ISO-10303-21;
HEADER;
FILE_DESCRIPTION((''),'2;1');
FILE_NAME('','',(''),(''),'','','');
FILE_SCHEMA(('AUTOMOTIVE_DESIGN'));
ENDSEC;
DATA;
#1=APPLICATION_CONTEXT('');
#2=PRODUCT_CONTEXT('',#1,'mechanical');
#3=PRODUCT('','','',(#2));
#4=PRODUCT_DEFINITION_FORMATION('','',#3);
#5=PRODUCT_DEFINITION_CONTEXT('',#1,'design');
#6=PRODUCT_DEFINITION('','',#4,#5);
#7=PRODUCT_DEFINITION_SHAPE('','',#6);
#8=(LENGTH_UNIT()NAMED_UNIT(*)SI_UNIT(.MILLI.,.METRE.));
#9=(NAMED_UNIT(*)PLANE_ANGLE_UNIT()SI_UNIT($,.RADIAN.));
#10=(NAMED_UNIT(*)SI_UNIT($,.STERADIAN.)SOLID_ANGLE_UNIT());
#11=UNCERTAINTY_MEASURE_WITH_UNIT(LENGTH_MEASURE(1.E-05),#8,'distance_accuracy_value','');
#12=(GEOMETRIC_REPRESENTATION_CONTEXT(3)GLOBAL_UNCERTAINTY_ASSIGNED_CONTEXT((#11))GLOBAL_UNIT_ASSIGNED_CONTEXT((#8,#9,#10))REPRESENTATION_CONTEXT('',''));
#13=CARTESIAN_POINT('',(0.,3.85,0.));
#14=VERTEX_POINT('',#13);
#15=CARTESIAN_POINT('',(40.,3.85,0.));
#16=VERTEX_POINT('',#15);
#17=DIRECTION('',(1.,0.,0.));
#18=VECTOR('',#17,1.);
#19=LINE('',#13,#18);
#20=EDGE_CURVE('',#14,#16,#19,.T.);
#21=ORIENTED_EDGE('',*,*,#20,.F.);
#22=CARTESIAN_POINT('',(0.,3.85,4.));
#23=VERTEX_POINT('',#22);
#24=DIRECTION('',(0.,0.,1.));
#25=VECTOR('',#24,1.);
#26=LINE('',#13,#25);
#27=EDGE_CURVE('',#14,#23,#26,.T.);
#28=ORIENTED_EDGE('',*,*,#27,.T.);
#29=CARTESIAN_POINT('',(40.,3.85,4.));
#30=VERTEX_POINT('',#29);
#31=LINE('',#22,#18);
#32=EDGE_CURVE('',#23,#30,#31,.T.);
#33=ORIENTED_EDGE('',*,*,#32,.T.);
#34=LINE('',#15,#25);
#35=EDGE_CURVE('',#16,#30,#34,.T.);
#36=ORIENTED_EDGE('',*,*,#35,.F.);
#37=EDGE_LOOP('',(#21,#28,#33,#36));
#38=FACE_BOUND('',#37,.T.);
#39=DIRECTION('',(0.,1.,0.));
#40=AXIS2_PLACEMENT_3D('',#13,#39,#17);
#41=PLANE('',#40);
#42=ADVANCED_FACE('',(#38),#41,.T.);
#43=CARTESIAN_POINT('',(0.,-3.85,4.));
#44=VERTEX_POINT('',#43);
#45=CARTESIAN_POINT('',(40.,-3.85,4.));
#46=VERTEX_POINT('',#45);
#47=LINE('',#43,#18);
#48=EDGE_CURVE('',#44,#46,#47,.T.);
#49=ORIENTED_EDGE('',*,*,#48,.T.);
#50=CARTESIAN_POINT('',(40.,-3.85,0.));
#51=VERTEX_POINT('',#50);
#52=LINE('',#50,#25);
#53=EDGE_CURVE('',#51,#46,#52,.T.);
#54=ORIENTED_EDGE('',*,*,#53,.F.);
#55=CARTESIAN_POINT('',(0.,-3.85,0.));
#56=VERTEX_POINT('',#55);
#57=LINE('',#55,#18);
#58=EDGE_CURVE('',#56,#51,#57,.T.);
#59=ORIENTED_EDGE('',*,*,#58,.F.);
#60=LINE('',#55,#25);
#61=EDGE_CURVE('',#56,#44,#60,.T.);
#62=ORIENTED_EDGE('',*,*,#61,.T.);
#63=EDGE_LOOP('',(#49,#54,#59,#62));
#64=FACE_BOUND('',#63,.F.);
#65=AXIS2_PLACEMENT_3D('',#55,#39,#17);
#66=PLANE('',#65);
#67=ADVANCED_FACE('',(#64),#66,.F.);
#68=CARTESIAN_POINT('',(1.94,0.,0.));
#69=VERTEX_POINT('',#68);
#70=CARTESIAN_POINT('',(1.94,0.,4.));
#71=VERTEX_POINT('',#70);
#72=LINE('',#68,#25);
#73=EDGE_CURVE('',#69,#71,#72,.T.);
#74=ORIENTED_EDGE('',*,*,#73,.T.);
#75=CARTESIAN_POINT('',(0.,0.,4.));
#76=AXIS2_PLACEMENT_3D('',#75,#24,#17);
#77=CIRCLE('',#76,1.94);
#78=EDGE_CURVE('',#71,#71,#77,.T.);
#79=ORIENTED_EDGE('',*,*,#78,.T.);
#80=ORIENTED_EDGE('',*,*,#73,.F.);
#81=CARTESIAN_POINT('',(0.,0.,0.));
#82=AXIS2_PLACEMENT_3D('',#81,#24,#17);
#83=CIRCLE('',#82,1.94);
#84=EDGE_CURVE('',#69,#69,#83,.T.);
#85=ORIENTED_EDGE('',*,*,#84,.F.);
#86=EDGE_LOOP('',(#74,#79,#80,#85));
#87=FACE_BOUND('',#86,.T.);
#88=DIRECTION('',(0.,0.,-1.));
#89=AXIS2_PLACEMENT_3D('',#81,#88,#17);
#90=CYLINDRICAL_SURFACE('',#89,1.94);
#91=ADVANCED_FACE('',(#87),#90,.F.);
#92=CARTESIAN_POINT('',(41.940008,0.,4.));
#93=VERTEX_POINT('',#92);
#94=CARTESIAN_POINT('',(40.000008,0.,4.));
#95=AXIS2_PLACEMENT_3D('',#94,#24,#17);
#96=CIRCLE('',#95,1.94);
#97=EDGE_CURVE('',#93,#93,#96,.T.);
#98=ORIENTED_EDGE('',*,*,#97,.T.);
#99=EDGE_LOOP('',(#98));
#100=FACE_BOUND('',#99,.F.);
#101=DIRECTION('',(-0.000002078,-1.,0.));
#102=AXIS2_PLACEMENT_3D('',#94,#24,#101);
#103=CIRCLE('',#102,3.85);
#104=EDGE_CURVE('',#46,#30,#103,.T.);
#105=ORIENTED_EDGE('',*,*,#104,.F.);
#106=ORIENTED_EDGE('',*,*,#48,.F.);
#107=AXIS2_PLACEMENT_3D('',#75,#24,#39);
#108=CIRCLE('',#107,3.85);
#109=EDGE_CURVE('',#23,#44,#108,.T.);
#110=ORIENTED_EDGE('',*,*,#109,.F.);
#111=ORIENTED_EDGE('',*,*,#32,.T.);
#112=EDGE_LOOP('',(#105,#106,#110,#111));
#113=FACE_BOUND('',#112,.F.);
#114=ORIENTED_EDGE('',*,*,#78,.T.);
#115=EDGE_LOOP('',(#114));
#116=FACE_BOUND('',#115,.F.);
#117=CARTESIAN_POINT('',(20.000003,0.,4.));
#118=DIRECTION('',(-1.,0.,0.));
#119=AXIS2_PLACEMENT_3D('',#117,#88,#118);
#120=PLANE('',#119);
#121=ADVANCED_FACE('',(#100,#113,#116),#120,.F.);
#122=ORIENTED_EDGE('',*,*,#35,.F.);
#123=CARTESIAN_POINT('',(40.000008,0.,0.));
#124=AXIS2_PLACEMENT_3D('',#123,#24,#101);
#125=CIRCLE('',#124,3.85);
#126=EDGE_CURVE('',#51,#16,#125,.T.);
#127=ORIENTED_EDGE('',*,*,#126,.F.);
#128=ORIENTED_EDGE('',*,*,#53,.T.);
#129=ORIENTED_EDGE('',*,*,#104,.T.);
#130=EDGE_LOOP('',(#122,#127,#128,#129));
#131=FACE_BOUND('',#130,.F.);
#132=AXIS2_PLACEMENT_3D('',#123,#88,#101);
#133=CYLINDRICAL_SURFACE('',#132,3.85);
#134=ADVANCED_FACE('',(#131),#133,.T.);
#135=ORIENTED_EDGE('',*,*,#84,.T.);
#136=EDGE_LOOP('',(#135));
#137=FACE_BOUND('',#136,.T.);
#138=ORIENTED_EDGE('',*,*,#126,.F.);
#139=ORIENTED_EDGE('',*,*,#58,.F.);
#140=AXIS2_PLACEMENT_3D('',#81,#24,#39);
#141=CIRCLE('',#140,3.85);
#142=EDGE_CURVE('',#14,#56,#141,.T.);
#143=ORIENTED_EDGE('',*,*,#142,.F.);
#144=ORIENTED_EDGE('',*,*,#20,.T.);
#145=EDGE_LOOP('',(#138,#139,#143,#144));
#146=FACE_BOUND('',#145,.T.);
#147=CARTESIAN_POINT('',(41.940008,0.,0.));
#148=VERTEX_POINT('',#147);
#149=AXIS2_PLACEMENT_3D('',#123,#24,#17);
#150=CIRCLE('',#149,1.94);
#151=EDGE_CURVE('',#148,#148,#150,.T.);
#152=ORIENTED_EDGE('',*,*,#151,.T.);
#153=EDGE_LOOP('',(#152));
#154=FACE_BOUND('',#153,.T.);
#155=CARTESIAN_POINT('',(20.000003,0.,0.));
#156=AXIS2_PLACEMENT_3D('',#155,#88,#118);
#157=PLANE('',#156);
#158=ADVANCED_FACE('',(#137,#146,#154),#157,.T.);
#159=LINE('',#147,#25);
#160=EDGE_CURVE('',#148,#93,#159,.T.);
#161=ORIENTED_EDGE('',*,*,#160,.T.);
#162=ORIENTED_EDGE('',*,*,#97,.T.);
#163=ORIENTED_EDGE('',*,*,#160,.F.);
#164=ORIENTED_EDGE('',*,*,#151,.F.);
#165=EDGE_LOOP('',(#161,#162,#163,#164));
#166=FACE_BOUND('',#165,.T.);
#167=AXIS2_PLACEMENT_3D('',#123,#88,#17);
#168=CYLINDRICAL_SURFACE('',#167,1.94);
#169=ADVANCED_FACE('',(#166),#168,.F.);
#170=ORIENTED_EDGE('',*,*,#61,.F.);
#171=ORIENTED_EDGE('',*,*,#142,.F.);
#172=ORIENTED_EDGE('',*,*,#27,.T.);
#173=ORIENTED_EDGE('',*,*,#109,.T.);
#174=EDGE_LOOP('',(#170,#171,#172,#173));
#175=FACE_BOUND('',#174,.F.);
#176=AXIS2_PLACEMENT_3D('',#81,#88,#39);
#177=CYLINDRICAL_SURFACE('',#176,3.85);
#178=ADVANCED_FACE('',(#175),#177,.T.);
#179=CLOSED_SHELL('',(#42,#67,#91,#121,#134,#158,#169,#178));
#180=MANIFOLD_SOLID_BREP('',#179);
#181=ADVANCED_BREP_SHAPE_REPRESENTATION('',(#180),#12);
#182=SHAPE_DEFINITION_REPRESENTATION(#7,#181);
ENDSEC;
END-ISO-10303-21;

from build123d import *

# Parameters (mm, degrees)
SKETCH_R      = 1.94
EXTRUDE_DEPTH = 4


with BuildPart() as part:
    # Sketch → Extrude (new body)
    with BuildSketch(Plane.XY):
        with BuildLine():
            Line((0, 3.85), (40, 3.85))
            ThreePointArc((40, -3.85), (43.850008, 0), (40, 3.85))
            Line((0, -3.85), (40, -3.85))
            ThreePointArc((0, 3.85), (-3.85, 0), (0, -3.85))
        make_face()
        Circle(SKETCH_R, mode=Mode.SUBTRACT)
        with Locations((40.000008, 0)):
            Circle(SKETCH_R, mode=Mode.SUBTRACT)
    extrude(amount=EXTRUDE_DEPTH)


solid = part.part
